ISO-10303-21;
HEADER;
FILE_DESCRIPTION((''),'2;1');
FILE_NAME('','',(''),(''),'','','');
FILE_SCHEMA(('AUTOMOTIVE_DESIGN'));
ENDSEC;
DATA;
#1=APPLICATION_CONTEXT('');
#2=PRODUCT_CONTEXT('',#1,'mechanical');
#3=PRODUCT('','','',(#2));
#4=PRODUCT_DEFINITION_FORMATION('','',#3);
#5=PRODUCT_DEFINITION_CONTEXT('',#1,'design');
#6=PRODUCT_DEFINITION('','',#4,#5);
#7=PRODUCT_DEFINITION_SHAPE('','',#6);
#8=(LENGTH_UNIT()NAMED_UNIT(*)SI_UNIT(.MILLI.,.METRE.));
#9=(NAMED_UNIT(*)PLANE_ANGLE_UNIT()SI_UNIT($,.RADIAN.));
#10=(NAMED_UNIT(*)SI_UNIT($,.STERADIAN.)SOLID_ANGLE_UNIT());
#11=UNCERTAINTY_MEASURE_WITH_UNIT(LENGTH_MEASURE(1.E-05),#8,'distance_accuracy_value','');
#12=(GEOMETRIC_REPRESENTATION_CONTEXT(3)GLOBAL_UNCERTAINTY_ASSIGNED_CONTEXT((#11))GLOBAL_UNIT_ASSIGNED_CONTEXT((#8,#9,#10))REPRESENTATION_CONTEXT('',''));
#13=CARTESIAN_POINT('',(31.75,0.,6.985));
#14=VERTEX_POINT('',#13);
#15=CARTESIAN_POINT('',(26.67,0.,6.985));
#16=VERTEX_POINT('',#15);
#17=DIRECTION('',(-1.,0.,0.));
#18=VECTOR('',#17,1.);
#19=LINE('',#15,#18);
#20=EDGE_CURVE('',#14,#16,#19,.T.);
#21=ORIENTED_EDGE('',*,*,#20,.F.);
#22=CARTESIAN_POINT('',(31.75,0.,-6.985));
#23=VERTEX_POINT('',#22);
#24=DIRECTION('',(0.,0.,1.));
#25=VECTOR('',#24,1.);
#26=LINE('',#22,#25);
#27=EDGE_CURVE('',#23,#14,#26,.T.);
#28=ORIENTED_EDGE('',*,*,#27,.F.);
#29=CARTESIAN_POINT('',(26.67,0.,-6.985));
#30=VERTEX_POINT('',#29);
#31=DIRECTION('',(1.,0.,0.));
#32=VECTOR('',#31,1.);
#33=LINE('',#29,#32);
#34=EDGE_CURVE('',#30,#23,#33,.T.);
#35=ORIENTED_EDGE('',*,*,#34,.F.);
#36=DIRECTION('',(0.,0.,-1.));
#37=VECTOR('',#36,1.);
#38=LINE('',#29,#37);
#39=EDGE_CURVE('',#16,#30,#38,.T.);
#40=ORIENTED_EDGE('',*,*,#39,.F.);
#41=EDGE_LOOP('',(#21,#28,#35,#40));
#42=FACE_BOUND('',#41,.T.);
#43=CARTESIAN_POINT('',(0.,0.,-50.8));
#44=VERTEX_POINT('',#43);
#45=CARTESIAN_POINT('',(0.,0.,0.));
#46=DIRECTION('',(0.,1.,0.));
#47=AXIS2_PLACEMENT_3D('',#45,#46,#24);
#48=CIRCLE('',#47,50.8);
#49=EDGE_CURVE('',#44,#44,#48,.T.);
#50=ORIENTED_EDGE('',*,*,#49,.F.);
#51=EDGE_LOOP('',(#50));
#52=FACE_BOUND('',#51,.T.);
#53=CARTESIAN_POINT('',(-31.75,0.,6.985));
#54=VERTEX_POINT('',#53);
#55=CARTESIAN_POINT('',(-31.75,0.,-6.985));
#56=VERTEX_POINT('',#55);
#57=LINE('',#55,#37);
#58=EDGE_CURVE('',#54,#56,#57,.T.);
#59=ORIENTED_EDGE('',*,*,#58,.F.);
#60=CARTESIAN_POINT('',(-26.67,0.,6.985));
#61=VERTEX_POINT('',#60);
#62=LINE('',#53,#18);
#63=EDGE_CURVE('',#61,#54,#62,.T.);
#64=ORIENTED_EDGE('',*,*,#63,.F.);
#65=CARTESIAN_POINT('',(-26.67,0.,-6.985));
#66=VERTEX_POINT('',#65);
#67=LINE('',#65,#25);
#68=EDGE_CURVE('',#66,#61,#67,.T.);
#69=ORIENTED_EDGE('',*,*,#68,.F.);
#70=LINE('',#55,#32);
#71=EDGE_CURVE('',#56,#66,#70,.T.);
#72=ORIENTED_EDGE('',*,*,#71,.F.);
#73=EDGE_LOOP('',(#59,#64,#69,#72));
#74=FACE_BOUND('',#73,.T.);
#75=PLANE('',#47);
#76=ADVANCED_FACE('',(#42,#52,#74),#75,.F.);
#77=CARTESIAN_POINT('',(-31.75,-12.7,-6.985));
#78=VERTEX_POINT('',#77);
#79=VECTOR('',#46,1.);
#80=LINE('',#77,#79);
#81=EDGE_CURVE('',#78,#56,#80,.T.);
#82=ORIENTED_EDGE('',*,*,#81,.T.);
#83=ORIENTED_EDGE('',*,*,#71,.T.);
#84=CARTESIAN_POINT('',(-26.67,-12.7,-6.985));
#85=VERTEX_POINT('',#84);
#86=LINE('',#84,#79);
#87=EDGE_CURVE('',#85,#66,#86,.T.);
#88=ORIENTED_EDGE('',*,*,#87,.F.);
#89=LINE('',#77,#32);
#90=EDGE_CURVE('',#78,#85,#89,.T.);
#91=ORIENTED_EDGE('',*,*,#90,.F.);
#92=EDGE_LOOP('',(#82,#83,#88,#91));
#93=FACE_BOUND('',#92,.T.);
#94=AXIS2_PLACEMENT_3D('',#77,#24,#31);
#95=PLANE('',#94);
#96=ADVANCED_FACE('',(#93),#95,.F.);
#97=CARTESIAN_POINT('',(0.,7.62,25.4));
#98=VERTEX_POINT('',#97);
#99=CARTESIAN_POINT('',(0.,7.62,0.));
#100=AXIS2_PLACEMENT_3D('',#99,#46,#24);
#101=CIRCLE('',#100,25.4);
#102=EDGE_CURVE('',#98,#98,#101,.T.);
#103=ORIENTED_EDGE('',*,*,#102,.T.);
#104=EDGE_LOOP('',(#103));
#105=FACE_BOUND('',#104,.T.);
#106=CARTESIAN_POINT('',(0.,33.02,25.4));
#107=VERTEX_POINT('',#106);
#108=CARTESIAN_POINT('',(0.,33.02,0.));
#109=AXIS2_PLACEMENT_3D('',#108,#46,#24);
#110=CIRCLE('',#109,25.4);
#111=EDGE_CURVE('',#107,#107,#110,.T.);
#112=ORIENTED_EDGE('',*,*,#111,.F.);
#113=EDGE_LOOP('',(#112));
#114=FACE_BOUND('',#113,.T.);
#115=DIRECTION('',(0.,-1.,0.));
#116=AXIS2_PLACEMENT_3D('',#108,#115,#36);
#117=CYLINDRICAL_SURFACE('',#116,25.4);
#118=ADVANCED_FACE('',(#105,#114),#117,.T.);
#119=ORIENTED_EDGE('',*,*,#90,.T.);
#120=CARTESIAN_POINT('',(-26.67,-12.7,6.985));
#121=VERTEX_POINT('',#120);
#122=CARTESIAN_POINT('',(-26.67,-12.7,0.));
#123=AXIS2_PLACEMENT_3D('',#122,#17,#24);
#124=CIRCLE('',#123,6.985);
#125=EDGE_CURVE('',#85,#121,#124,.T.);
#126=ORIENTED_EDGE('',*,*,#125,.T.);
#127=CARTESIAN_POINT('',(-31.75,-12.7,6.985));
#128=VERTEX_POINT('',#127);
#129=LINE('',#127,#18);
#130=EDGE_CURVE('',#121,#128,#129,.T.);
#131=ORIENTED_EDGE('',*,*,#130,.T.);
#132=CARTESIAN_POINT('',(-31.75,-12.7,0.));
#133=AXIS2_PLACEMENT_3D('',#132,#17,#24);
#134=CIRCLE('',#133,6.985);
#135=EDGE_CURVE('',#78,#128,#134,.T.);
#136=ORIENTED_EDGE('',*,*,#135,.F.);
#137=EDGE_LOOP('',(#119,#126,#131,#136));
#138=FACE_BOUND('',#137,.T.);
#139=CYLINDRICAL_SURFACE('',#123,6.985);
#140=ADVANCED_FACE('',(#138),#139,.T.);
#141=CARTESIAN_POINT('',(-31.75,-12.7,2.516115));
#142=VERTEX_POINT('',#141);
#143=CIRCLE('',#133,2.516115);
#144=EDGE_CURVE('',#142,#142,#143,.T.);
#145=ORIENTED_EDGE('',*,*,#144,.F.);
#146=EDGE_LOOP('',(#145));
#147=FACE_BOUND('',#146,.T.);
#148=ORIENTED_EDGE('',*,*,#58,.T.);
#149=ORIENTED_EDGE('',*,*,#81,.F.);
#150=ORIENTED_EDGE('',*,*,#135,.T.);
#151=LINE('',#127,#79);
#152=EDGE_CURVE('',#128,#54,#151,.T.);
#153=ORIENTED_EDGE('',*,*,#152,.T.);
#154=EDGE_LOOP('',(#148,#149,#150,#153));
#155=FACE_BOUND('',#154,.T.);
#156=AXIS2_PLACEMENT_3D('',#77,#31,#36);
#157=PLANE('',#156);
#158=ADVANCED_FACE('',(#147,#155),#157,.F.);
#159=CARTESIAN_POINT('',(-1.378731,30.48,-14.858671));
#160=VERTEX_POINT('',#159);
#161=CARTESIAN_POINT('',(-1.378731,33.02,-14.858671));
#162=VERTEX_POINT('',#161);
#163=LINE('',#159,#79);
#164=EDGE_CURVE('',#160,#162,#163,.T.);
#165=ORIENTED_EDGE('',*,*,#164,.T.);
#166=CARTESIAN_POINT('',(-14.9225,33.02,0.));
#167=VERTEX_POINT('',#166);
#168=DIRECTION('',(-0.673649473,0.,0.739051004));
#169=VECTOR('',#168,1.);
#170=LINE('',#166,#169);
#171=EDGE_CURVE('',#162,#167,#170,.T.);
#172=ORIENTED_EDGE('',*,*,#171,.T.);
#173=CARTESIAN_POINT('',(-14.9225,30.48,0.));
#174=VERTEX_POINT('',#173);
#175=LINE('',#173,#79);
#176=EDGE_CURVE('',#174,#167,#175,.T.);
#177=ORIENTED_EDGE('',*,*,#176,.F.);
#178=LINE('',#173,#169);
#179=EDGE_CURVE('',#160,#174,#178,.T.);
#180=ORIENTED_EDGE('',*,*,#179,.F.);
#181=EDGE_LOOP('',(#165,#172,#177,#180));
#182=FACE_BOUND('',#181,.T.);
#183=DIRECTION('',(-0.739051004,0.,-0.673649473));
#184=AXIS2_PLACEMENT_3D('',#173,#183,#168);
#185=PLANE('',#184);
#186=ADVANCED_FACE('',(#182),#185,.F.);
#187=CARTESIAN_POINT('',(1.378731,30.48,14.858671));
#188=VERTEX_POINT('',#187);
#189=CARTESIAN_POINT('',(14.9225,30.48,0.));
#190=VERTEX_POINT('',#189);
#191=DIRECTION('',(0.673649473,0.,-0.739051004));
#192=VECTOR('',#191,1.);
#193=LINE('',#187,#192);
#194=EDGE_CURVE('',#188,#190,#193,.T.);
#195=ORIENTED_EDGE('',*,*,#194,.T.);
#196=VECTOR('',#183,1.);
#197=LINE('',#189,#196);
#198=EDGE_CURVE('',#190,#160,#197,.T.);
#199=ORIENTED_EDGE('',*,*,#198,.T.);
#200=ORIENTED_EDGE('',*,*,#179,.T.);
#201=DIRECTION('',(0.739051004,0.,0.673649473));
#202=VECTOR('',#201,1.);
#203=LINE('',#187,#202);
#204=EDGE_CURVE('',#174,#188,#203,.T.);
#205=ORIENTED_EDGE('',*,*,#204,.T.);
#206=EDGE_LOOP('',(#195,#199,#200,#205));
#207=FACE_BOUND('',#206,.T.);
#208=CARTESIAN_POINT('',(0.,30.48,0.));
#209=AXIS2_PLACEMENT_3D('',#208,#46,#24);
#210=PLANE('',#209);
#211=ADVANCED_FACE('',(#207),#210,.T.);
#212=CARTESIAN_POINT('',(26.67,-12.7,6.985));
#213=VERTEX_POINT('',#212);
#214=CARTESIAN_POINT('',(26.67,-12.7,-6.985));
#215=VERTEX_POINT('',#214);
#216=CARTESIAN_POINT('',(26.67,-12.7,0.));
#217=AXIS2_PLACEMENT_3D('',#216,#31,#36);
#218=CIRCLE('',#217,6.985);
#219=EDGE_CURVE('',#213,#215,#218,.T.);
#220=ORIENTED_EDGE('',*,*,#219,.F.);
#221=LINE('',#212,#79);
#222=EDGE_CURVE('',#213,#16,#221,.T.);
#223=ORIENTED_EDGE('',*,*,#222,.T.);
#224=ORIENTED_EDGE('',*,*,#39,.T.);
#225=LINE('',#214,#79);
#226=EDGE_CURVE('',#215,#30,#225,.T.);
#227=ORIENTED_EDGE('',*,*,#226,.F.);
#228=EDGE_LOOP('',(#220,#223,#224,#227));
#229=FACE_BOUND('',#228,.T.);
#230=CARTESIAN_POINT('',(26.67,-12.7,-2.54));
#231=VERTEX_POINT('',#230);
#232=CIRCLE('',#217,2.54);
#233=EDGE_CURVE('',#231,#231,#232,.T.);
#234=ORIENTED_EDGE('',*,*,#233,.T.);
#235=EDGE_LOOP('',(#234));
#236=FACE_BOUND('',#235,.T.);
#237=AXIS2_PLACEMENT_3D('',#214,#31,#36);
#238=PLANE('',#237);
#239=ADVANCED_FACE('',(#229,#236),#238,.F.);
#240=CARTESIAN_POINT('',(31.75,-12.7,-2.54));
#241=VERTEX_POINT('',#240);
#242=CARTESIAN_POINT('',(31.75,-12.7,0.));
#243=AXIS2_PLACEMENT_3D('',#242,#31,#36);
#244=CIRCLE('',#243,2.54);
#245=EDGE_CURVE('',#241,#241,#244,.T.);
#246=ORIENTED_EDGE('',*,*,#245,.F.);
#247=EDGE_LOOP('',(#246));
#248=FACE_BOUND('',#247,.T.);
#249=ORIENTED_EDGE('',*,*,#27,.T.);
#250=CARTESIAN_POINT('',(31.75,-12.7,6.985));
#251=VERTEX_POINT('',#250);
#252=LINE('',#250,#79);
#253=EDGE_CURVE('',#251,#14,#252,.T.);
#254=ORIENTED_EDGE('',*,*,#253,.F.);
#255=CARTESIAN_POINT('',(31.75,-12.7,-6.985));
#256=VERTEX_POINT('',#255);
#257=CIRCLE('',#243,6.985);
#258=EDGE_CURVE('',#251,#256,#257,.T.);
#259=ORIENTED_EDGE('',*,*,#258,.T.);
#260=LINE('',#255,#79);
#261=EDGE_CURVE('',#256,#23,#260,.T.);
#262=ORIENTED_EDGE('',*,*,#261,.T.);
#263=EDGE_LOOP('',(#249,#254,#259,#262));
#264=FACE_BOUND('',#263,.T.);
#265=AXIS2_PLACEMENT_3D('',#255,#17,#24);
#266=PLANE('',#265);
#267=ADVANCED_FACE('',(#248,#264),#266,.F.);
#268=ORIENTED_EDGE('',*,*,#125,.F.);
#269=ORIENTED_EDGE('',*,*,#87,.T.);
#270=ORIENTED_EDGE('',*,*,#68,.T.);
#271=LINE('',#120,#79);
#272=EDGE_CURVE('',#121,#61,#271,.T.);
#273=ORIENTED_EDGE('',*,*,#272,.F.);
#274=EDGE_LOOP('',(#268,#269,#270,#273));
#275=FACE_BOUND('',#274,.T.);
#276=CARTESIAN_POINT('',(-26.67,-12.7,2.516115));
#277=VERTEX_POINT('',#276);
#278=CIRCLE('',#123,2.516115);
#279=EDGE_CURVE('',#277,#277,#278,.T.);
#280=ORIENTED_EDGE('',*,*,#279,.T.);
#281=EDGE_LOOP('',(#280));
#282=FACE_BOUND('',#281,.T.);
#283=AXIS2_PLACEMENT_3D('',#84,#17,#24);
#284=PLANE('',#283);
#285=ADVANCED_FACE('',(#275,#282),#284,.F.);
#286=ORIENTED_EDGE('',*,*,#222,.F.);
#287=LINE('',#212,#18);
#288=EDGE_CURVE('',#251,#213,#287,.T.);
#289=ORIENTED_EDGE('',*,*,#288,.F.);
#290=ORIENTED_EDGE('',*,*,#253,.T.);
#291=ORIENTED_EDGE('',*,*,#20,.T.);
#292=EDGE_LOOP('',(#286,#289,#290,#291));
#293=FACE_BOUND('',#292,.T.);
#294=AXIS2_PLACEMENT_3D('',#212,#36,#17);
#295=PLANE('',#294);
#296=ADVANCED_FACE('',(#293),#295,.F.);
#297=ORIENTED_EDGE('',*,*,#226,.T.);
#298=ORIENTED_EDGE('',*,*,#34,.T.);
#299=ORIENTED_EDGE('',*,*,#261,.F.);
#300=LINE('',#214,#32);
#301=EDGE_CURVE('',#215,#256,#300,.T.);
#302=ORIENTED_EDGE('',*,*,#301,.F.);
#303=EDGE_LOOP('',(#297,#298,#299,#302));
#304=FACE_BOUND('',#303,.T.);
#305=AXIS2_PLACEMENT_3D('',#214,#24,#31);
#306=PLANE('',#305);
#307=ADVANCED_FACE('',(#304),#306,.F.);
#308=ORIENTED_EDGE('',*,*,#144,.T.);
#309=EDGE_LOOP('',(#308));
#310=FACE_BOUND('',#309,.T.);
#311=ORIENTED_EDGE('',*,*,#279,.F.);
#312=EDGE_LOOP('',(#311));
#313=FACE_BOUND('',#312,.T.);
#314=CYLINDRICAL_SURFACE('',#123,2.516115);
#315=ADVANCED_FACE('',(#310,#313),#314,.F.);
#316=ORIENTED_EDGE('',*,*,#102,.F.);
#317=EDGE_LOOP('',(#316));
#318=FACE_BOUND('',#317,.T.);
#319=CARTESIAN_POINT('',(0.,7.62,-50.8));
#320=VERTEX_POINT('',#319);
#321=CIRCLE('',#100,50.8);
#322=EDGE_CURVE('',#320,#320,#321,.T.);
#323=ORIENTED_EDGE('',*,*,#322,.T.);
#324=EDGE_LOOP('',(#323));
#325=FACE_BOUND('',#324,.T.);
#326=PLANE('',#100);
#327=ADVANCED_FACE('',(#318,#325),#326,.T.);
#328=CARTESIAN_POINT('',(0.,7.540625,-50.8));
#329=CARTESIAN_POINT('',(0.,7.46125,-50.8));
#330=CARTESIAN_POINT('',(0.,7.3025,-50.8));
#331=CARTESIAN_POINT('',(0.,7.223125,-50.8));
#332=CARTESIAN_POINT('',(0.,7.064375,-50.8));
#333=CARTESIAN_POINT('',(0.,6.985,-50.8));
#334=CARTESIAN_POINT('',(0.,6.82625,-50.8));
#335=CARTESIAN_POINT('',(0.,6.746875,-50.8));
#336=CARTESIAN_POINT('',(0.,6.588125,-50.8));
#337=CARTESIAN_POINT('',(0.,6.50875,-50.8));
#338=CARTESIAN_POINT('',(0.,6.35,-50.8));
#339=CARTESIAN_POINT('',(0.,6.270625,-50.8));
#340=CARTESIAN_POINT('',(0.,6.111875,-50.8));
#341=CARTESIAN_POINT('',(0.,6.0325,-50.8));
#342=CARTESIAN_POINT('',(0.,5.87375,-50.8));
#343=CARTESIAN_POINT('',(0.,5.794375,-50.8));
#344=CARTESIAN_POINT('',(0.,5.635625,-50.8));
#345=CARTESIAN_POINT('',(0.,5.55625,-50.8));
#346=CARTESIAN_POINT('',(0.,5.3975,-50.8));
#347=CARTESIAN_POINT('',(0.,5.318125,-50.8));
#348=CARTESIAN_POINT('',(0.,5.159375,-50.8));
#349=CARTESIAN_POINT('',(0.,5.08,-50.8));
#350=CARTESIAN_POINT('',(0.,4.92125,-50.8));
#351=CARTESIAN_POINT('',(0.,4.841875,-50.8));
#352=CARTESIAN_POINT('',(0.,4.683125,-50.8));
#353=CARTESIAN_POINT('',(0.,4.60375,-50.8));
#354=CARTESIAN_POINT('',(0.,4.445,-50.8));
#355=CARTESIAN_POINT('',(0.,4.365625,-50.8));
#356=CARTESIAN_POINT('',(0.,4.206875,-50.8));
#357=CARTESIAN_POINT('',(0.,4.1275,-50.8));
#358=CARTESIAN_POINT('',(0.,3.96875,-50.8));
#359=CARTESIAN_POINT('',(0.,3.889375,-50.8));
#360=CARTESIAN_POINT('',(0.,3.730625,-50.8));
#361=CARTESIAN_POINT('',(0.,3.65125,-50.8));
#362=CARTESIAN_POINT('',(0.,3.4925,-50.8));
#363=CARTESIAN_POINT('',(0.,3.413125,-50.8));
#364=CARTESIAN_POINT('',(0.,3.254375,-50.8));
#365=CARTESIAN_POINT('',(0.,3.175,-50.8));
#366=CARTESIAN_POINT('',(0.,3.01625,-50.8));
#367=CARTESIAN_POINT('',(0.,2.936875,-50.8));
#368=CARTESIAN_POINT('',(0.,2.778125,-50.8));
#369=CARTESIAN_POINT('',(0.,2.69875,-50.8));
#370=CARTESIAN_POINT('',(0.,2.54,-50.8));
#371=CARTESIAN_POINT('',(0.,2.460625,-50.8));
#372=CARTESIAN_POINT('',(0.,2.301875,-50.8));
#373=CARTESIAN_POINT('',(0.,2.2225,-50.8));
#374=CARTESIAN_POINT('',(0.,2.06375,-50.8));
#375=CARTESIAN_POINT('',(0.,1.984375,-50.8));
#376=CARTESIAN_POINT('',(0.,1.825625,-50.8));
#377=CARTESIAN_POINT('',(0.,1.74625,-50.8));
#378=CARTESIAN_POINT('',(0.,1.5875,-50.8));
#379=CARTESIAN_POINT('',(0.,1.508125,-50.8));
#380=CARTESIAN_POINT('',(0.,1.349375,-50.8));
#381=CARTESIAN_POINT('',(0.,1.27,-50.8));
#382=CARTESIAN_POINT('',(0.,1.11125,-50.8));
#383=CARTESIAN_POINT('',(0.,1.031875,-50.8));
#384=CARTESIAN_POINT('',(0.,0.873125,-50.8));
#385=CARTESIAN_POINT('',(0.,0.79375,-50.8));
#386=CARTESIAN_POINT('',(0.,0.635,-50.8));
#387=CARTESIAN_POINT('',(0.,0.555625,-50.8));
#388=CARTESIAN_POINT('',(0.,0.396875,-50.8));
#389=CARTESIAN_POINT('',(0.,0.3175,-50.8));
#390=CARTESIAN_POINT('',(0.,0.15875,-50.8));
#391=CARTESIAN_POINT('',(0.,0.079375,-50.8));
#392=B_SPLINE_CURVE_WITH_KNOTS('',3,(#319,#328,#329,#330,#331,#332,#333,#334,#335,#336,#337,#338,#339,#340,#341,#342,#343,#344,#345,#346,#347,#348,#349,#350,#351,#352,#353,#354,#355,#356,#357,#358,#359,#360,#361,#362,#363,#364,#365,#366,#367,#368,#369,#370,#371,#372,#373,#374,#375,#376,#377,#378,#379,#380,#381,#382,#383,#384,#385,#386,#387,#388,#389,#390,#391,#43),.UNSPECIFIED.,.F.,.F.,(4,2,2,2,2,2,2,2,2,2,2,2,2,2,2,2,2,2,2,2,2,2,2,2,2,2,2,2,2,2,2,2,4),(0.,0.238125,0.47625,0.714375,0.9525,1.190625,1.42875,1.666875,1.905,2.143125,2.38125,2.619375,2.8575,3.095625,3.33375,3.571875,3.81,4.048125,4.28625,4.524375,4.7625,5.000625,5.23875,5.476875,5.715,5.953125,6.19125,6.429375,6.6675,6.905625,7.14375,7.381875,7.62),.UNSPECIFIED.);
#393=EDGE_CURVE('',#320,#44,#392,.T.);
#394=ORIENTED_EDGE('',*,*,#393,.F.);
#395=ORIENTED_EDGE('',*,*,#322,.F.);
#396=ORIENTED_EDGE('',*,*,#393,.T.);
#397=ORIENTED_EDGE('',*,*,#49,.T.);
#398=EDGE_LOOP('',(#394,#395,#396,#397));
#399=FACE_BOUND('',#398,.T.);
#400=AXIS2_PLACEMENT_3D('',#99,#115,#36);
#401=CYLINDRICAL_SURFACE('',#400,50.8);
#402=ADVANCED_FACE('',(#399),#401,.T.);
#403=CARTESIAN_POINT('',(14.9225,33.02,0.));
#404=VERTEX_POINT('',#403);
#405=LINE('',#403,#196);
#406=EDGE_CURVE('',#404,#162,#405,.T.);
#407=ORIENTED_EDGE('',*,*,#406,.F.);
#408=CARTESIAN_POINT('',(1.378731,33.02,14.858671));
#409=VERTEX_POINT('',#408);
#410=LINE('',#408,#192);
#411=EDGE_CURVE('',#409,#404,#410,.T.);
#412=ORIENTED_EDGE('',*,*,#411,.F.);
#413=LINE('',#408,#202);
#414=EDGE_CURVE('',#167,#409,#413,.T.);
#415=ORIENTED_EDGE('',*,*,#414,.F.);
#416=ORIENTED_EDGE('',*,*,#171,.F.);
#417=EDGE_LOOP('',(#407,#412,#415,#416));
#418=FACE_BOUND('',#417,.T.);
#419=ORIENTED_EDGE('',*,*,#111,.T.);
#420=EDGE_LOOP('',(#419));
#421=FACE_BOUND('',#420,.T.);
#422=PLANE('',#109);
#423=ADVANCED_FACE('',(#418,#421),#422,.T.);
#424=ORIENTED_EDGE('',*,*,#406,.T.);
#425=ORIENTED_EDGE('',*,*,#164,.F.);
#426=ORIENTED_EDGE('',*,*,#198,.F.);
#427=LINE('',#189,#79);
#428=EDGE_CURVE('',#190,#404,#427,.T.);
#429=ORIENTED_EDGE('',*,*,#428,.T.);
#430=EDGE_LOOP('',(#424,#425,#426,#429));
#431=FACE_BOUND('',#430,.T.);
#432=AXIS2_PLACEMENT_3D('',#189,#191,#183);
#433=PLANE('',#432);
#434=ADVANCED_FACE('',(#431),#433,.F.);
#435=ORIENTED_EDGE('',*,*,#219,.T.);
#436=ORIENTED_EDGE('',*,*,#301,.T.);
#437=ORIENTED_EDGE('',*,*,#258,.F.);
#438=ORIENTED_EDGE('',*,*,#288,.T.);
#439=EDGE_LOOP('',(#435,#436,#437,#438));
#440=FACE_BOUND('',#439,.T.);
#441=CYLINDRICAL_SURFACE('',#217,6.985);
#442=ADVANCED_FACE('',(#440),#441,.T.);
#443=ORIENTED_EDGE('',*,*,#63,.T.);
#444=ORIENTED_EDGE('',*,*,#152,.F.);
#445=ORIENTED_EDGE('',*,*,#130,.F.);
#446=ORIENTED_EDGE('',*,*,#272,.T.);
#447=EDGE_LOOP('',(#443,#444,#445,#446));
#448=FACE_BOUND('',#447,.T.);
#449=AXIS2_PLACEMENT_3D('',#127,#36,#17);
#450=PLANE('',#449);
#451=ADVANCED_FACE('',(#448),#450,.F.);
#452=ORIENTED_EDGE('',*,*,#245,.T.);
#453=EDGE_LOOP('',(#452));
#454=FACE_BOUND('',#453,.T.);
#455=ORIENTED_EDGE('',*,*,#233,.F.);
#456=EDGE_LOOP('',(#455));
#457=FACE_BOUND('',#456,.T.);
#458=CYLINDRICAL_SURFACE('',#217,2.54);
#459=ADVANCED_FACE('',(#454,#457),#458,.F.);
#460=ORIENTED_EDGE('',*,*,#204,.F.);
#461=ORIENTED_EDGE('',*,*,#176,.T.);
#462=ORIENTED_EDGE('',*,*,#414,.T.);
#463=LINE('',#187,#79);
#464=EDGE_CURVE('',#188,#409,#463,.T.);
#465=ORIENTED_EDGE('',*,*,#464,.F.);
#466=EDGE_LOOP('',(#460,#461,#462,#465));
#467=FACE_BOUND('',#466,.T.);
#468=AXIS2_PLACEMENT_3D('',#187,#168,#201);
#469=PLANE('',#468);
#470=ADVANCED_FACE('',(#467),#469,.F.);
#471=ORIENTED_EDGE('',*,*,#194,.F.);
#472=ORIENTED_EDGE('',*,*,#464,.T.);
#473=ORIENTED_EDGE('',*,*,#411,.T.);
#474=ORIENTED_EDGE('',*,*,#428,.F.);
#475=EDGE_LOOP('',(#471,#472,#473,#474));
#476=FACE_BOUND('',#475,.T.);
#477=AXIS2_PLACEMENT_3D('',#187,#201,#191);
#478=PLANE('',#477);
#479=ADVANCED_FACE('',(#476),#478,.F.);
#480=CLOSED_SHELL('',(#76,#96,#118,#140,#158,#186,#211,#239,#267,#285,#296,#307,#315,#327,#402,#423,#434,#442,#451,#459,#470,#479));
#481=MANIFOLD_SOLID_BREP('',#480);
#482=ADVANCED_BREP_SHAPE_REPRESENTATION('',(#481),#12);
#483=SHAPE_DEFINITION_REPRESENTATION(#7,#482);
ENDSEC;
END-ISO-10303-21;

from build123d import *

# Parameters (mm, degrees)
SKETCH1_R           = 50.8
BOSS_EXTRUDE1_DEPTH = 7.62
SKETCH2_W           = 5.08
SKETCH2_H           = 13.97
BOSS_EXTRUDE2_DEPTH = 12.7
SKETCH3_R           = 6.985
BOSS_EXTRUDE3_DEPTH = 5.08
SKETCH4_R           = 2.516115175
CUT_EXTRUDE1_DEPTH  = 5.08
SKETCH5_W           = 5.08
SKETCH5_H           = 13.97
BOSS_EXTRUDE4_DEPTH = 12.7
BOSS_EXTRUDE5_START = -5.08
SKETCH6_R           = 6.985
BOSS_EXTRUDE5_DEPTH = 5.08
SKETCH8_R           = 2.54
CUT_EXTRUDE2_DEPTH  = 5.08
SKETCH9_R           = 25.4
BOSS_EXTRUDE6_DEPTH = 25.4
CUT_EXTRUDE3_DEPTH  = 2.54


with BuildPart() as part:
    # Sketch1 → Boss-Extrude1 (new body)
    with BuildSketch(Plane(origin=(0, 0, 0), x_dir=(1, 0, 0), z_dir=(0, 1, 0))):
        with Locations(Location((0, 0, 0), (0, 0, 90))):
            Circle(SKETCH1_R)
    extrude(amount=BOSS_EXTRUDE1_DEPTH)

    # Sketch2 → Boss-Extrude2 (add)
    with BuildSketch(Plane.XZ):
        with Locations((-29.21, 0)):
            Rectangle(SKETCH2_W, SKETCH2_H)
    extrude(amount=BOSS_EXTRUDE2_DEPTH)

    # Sketch3 → Boss-Extrude3 (add)
    with BuildSketch(Plane.ZY.offset(31.75)):
        with Locations((0, -12.7)):
            Circle(SKETCH3_R)
    extrude(amount=-BOSS_EXTRUDE3_DEPTH)

    # Sketch4 → Cut-Extrude1 (cut)
    with BuildSketch(Plane.ZY.offset(31.75)):
        with Locations((0, -12.7)):
            Circle(SKETCH4_R)
    extrude(amount=-CUT_EXTRUDE1_DEPTH, mode=Mode.SUBTRACT)

    # Sketch5 → Boss-Extrude4 (add)
    with BuildSketch(Plane.XZ):
        with Locations((29.21, 0)):
            Rectangle(SKETCH5_W, SKETCH5_H)
    extrude(amount=BOSS_EXTRUDE4_DEPTH)

    # Sketch6 → Boss-Extrude5 (add)
    with BuildSketch(Plane(origin=(31.75, 0, 0), x_dir=(0, 0, -1), z_dir=(1, 0, 0)).offset(BOSS_EXTRUDE5_START)):
        with Locations((0, -12.7)):
            Circle(SKETCH6_R)
    extrude(amount=BOSS_EXTRUDE5_DEPTH)

    # Sketch8 → Cut-Extrude2 (cut)
    with BuildSketch(Plane(origin=(31.75, 0, 0), x_dir=(0, 0, -1), z_dir=(1, 0, 0))):
        with Locations((0, -12.7)):
            Circle(SKETCH8_R)
    extrude(amount=-CUT_EXTRUDE2_DEPTH, mode=Mode.SUBTRACT)

    # Sketch9 → Boss-Extrude6 (add)
    with BuildSketch(Plane(origin=(0, 7.62, 0), x_dir=(1, 0, 0), z_dir=(0, 1, 0))):
        with Locations(Location((0, 0, 0), (0, 0, 270))):
            Circle(SKETCH9_R)
    extrude(amount=BOSS_EXTRUDE6_DEPTH)

    # Sketch10 → Cut-Extrude3 (cut)
    with BuildSketch(Plane(origin=(0, 33.02, 0), x_dir=(1, 0, 0), z_dir=(0, 1, 0))):
        Polygon((1.37873117, -14.858671092), (-14.9225, 0), (-1.37873117, 14.858671092), (14.9225, 0), align=None)
    extrude(amount=-CUT_EXTRUDE3_DEPTH, mode=Mode.SUBTRACT)


solid = part.part
